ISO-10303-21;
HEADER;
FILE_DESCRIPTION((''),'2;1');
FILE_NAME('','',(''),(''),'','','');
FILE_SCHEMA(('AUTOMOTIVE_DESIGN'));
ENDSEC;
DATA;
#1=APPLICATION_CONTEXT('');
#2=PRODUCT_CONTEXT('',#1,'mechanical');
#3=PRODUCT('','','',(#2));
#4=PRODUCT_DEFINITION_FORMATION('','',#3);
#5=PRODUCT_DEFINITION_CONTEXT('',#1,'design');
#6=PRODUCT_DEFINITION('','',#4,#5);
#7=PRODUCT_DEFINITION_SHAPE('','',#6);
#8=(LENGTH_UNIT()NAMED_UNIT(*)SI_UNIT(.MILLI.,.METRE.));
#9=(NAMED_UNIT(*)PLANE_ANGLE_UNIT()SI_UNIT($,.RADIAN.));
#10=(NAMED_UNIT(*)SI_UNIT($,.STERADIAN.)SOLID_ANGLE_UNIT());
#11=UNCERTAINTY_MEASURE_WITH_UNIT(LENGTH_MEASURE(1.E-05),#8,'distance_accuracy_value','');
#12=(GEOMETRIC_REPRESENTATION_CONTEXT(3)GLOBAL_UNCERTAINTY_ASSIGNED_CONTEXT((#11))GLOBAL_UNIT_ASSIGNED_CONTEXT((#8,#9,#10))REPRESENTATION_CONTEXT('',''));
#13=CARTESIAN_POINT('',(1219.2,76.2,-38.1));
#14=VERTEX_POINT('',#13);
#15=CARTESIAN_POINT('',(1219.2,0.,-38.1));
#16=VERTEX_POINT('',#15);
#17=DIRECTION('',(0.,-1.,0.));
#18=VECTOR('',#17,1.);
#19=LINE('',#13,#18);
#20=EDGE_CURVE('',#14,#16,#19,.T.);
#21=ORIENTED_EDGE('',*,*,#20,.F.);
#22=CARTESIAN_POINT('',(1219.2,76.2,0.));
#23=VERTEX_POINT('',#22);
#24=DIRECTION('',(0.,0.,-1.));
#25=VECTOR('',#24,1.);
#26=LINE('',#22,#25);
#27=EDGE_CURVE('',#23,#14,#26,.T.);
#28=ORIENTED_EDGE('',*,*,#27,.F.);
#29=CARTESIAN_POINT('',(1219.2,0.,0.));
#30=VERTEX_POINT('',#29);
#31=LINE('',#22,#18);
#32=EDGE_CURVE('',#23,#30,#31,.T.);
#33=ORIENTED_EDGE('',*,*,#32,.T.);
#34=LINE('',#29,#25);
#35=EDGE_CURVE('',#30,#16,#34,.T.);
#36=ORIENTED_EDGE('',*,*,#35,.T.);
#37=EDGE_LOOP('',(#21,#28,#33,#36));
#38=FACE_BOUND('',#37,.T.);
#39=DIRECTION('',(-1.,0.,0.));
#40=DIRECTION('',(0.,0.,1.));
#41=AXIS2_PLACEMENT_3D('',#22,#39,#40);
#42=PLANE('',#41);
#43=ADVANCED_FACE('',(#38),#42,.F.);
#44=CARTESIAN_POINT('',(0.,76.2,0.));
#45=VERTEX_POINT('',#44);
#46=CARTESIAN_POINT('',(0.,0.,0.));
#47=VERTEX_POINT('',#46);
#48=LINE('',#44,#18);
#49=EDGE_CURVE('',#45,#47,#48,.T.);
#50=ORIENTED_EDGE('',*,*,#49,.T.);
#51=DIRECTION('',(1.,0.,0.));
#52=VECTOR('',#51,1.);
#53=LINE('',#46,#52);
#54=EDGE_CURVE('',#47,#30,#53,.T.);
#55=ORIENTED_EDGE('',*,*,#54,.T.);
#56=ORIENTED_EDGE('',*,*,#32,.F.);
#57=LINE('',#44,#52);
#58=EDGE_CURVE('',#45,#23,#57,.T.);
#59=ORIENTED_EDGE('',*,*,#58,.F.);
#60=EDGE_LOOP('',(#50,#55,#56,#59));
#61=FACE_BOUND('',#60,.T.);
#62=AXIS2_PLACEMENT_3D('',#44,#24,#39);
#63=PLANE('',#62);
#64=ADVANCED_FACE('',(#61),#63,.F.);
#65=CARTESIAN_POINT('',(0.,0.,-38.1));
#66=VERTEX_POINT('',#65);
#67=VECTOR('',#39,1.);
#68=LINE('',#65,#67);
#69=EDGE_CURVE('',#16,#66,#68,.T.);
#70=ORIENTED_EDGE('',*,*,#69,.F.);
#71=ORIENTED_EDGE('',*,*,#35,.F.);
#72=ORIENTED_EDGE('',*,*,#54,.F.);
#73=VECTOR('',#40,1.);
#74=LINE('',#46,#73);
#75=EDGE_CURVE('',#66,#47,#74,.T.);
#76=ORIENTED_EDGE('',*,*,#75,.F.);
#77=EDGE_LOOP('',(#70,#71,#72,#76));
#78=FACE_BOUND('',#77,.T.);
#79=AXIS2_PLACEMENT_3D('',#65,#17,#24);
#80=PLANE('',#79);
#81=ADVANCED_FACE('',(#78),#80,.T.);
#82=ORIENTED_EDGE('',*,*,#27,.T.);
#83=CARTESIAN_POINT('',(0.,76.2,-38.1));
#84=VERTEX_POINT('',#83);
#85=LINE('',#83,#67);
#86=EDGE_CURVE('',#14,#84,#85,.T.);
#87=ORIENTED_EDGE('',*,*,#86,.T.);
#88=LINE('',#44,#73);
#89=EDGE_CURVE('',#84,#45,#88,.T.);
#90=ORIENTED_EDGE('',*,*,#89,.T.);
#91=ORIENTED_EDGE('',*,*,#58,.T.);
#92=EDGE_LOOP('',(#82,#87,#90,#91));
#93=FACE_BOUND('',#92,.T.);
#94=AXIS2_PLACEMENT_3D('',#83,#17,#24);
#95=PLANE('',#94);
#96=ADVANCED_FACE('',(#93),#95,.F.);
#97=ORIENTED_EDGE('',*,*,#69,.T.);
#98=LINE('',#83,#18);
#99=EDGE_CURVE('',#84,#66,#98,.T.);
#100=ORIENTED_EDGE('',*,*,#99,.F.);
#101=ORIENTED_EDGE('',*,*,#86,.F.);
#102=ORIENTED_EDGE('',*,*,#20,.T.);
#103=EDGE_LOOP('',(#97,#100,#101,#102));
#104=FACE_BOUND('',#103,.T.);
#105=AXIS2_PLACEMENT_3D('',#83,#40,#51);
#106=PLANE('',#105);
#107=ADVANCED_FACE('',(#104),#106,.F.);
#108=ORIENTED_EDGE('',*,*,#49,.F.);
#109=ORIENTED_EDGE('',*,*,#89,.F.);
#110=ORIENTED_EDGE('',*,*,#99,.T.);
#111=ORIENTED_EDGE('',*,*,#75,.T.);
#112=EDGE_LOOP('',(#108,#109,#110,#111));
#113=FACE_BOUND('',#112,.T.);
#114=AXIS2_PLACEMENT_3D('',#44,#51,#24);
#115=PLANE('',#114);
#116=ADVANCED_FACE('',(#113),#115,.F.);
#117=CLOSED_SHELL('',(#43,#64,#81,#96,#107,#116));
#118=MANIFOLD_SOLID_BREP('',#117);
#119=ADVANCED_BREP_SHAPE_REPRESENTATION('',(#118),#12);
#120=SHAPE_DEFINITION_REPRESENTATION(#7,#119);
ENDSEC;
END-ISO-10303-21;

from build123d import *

# Parameters (mm, degrees)
SKETCH1_W      = 1219.2
SKETCH1_H      = 38.1
EXTRUDE1_DEPTH = 76.2


with BuildPart() as part:
    # Sketch1 → Extrude1 (new body)
    with BuildSketch(Plane(origin=(0, 0, 0), x_dir=(1, 0, 0), z_dir=(0, 1, 0))):
        with Locations((609.6, 19.05)):
            Rectangle(SKETCH1_W, SKETCH1_H)
    extrude(amount=EXTRUDE1_DEPTH)


solid = part.part
